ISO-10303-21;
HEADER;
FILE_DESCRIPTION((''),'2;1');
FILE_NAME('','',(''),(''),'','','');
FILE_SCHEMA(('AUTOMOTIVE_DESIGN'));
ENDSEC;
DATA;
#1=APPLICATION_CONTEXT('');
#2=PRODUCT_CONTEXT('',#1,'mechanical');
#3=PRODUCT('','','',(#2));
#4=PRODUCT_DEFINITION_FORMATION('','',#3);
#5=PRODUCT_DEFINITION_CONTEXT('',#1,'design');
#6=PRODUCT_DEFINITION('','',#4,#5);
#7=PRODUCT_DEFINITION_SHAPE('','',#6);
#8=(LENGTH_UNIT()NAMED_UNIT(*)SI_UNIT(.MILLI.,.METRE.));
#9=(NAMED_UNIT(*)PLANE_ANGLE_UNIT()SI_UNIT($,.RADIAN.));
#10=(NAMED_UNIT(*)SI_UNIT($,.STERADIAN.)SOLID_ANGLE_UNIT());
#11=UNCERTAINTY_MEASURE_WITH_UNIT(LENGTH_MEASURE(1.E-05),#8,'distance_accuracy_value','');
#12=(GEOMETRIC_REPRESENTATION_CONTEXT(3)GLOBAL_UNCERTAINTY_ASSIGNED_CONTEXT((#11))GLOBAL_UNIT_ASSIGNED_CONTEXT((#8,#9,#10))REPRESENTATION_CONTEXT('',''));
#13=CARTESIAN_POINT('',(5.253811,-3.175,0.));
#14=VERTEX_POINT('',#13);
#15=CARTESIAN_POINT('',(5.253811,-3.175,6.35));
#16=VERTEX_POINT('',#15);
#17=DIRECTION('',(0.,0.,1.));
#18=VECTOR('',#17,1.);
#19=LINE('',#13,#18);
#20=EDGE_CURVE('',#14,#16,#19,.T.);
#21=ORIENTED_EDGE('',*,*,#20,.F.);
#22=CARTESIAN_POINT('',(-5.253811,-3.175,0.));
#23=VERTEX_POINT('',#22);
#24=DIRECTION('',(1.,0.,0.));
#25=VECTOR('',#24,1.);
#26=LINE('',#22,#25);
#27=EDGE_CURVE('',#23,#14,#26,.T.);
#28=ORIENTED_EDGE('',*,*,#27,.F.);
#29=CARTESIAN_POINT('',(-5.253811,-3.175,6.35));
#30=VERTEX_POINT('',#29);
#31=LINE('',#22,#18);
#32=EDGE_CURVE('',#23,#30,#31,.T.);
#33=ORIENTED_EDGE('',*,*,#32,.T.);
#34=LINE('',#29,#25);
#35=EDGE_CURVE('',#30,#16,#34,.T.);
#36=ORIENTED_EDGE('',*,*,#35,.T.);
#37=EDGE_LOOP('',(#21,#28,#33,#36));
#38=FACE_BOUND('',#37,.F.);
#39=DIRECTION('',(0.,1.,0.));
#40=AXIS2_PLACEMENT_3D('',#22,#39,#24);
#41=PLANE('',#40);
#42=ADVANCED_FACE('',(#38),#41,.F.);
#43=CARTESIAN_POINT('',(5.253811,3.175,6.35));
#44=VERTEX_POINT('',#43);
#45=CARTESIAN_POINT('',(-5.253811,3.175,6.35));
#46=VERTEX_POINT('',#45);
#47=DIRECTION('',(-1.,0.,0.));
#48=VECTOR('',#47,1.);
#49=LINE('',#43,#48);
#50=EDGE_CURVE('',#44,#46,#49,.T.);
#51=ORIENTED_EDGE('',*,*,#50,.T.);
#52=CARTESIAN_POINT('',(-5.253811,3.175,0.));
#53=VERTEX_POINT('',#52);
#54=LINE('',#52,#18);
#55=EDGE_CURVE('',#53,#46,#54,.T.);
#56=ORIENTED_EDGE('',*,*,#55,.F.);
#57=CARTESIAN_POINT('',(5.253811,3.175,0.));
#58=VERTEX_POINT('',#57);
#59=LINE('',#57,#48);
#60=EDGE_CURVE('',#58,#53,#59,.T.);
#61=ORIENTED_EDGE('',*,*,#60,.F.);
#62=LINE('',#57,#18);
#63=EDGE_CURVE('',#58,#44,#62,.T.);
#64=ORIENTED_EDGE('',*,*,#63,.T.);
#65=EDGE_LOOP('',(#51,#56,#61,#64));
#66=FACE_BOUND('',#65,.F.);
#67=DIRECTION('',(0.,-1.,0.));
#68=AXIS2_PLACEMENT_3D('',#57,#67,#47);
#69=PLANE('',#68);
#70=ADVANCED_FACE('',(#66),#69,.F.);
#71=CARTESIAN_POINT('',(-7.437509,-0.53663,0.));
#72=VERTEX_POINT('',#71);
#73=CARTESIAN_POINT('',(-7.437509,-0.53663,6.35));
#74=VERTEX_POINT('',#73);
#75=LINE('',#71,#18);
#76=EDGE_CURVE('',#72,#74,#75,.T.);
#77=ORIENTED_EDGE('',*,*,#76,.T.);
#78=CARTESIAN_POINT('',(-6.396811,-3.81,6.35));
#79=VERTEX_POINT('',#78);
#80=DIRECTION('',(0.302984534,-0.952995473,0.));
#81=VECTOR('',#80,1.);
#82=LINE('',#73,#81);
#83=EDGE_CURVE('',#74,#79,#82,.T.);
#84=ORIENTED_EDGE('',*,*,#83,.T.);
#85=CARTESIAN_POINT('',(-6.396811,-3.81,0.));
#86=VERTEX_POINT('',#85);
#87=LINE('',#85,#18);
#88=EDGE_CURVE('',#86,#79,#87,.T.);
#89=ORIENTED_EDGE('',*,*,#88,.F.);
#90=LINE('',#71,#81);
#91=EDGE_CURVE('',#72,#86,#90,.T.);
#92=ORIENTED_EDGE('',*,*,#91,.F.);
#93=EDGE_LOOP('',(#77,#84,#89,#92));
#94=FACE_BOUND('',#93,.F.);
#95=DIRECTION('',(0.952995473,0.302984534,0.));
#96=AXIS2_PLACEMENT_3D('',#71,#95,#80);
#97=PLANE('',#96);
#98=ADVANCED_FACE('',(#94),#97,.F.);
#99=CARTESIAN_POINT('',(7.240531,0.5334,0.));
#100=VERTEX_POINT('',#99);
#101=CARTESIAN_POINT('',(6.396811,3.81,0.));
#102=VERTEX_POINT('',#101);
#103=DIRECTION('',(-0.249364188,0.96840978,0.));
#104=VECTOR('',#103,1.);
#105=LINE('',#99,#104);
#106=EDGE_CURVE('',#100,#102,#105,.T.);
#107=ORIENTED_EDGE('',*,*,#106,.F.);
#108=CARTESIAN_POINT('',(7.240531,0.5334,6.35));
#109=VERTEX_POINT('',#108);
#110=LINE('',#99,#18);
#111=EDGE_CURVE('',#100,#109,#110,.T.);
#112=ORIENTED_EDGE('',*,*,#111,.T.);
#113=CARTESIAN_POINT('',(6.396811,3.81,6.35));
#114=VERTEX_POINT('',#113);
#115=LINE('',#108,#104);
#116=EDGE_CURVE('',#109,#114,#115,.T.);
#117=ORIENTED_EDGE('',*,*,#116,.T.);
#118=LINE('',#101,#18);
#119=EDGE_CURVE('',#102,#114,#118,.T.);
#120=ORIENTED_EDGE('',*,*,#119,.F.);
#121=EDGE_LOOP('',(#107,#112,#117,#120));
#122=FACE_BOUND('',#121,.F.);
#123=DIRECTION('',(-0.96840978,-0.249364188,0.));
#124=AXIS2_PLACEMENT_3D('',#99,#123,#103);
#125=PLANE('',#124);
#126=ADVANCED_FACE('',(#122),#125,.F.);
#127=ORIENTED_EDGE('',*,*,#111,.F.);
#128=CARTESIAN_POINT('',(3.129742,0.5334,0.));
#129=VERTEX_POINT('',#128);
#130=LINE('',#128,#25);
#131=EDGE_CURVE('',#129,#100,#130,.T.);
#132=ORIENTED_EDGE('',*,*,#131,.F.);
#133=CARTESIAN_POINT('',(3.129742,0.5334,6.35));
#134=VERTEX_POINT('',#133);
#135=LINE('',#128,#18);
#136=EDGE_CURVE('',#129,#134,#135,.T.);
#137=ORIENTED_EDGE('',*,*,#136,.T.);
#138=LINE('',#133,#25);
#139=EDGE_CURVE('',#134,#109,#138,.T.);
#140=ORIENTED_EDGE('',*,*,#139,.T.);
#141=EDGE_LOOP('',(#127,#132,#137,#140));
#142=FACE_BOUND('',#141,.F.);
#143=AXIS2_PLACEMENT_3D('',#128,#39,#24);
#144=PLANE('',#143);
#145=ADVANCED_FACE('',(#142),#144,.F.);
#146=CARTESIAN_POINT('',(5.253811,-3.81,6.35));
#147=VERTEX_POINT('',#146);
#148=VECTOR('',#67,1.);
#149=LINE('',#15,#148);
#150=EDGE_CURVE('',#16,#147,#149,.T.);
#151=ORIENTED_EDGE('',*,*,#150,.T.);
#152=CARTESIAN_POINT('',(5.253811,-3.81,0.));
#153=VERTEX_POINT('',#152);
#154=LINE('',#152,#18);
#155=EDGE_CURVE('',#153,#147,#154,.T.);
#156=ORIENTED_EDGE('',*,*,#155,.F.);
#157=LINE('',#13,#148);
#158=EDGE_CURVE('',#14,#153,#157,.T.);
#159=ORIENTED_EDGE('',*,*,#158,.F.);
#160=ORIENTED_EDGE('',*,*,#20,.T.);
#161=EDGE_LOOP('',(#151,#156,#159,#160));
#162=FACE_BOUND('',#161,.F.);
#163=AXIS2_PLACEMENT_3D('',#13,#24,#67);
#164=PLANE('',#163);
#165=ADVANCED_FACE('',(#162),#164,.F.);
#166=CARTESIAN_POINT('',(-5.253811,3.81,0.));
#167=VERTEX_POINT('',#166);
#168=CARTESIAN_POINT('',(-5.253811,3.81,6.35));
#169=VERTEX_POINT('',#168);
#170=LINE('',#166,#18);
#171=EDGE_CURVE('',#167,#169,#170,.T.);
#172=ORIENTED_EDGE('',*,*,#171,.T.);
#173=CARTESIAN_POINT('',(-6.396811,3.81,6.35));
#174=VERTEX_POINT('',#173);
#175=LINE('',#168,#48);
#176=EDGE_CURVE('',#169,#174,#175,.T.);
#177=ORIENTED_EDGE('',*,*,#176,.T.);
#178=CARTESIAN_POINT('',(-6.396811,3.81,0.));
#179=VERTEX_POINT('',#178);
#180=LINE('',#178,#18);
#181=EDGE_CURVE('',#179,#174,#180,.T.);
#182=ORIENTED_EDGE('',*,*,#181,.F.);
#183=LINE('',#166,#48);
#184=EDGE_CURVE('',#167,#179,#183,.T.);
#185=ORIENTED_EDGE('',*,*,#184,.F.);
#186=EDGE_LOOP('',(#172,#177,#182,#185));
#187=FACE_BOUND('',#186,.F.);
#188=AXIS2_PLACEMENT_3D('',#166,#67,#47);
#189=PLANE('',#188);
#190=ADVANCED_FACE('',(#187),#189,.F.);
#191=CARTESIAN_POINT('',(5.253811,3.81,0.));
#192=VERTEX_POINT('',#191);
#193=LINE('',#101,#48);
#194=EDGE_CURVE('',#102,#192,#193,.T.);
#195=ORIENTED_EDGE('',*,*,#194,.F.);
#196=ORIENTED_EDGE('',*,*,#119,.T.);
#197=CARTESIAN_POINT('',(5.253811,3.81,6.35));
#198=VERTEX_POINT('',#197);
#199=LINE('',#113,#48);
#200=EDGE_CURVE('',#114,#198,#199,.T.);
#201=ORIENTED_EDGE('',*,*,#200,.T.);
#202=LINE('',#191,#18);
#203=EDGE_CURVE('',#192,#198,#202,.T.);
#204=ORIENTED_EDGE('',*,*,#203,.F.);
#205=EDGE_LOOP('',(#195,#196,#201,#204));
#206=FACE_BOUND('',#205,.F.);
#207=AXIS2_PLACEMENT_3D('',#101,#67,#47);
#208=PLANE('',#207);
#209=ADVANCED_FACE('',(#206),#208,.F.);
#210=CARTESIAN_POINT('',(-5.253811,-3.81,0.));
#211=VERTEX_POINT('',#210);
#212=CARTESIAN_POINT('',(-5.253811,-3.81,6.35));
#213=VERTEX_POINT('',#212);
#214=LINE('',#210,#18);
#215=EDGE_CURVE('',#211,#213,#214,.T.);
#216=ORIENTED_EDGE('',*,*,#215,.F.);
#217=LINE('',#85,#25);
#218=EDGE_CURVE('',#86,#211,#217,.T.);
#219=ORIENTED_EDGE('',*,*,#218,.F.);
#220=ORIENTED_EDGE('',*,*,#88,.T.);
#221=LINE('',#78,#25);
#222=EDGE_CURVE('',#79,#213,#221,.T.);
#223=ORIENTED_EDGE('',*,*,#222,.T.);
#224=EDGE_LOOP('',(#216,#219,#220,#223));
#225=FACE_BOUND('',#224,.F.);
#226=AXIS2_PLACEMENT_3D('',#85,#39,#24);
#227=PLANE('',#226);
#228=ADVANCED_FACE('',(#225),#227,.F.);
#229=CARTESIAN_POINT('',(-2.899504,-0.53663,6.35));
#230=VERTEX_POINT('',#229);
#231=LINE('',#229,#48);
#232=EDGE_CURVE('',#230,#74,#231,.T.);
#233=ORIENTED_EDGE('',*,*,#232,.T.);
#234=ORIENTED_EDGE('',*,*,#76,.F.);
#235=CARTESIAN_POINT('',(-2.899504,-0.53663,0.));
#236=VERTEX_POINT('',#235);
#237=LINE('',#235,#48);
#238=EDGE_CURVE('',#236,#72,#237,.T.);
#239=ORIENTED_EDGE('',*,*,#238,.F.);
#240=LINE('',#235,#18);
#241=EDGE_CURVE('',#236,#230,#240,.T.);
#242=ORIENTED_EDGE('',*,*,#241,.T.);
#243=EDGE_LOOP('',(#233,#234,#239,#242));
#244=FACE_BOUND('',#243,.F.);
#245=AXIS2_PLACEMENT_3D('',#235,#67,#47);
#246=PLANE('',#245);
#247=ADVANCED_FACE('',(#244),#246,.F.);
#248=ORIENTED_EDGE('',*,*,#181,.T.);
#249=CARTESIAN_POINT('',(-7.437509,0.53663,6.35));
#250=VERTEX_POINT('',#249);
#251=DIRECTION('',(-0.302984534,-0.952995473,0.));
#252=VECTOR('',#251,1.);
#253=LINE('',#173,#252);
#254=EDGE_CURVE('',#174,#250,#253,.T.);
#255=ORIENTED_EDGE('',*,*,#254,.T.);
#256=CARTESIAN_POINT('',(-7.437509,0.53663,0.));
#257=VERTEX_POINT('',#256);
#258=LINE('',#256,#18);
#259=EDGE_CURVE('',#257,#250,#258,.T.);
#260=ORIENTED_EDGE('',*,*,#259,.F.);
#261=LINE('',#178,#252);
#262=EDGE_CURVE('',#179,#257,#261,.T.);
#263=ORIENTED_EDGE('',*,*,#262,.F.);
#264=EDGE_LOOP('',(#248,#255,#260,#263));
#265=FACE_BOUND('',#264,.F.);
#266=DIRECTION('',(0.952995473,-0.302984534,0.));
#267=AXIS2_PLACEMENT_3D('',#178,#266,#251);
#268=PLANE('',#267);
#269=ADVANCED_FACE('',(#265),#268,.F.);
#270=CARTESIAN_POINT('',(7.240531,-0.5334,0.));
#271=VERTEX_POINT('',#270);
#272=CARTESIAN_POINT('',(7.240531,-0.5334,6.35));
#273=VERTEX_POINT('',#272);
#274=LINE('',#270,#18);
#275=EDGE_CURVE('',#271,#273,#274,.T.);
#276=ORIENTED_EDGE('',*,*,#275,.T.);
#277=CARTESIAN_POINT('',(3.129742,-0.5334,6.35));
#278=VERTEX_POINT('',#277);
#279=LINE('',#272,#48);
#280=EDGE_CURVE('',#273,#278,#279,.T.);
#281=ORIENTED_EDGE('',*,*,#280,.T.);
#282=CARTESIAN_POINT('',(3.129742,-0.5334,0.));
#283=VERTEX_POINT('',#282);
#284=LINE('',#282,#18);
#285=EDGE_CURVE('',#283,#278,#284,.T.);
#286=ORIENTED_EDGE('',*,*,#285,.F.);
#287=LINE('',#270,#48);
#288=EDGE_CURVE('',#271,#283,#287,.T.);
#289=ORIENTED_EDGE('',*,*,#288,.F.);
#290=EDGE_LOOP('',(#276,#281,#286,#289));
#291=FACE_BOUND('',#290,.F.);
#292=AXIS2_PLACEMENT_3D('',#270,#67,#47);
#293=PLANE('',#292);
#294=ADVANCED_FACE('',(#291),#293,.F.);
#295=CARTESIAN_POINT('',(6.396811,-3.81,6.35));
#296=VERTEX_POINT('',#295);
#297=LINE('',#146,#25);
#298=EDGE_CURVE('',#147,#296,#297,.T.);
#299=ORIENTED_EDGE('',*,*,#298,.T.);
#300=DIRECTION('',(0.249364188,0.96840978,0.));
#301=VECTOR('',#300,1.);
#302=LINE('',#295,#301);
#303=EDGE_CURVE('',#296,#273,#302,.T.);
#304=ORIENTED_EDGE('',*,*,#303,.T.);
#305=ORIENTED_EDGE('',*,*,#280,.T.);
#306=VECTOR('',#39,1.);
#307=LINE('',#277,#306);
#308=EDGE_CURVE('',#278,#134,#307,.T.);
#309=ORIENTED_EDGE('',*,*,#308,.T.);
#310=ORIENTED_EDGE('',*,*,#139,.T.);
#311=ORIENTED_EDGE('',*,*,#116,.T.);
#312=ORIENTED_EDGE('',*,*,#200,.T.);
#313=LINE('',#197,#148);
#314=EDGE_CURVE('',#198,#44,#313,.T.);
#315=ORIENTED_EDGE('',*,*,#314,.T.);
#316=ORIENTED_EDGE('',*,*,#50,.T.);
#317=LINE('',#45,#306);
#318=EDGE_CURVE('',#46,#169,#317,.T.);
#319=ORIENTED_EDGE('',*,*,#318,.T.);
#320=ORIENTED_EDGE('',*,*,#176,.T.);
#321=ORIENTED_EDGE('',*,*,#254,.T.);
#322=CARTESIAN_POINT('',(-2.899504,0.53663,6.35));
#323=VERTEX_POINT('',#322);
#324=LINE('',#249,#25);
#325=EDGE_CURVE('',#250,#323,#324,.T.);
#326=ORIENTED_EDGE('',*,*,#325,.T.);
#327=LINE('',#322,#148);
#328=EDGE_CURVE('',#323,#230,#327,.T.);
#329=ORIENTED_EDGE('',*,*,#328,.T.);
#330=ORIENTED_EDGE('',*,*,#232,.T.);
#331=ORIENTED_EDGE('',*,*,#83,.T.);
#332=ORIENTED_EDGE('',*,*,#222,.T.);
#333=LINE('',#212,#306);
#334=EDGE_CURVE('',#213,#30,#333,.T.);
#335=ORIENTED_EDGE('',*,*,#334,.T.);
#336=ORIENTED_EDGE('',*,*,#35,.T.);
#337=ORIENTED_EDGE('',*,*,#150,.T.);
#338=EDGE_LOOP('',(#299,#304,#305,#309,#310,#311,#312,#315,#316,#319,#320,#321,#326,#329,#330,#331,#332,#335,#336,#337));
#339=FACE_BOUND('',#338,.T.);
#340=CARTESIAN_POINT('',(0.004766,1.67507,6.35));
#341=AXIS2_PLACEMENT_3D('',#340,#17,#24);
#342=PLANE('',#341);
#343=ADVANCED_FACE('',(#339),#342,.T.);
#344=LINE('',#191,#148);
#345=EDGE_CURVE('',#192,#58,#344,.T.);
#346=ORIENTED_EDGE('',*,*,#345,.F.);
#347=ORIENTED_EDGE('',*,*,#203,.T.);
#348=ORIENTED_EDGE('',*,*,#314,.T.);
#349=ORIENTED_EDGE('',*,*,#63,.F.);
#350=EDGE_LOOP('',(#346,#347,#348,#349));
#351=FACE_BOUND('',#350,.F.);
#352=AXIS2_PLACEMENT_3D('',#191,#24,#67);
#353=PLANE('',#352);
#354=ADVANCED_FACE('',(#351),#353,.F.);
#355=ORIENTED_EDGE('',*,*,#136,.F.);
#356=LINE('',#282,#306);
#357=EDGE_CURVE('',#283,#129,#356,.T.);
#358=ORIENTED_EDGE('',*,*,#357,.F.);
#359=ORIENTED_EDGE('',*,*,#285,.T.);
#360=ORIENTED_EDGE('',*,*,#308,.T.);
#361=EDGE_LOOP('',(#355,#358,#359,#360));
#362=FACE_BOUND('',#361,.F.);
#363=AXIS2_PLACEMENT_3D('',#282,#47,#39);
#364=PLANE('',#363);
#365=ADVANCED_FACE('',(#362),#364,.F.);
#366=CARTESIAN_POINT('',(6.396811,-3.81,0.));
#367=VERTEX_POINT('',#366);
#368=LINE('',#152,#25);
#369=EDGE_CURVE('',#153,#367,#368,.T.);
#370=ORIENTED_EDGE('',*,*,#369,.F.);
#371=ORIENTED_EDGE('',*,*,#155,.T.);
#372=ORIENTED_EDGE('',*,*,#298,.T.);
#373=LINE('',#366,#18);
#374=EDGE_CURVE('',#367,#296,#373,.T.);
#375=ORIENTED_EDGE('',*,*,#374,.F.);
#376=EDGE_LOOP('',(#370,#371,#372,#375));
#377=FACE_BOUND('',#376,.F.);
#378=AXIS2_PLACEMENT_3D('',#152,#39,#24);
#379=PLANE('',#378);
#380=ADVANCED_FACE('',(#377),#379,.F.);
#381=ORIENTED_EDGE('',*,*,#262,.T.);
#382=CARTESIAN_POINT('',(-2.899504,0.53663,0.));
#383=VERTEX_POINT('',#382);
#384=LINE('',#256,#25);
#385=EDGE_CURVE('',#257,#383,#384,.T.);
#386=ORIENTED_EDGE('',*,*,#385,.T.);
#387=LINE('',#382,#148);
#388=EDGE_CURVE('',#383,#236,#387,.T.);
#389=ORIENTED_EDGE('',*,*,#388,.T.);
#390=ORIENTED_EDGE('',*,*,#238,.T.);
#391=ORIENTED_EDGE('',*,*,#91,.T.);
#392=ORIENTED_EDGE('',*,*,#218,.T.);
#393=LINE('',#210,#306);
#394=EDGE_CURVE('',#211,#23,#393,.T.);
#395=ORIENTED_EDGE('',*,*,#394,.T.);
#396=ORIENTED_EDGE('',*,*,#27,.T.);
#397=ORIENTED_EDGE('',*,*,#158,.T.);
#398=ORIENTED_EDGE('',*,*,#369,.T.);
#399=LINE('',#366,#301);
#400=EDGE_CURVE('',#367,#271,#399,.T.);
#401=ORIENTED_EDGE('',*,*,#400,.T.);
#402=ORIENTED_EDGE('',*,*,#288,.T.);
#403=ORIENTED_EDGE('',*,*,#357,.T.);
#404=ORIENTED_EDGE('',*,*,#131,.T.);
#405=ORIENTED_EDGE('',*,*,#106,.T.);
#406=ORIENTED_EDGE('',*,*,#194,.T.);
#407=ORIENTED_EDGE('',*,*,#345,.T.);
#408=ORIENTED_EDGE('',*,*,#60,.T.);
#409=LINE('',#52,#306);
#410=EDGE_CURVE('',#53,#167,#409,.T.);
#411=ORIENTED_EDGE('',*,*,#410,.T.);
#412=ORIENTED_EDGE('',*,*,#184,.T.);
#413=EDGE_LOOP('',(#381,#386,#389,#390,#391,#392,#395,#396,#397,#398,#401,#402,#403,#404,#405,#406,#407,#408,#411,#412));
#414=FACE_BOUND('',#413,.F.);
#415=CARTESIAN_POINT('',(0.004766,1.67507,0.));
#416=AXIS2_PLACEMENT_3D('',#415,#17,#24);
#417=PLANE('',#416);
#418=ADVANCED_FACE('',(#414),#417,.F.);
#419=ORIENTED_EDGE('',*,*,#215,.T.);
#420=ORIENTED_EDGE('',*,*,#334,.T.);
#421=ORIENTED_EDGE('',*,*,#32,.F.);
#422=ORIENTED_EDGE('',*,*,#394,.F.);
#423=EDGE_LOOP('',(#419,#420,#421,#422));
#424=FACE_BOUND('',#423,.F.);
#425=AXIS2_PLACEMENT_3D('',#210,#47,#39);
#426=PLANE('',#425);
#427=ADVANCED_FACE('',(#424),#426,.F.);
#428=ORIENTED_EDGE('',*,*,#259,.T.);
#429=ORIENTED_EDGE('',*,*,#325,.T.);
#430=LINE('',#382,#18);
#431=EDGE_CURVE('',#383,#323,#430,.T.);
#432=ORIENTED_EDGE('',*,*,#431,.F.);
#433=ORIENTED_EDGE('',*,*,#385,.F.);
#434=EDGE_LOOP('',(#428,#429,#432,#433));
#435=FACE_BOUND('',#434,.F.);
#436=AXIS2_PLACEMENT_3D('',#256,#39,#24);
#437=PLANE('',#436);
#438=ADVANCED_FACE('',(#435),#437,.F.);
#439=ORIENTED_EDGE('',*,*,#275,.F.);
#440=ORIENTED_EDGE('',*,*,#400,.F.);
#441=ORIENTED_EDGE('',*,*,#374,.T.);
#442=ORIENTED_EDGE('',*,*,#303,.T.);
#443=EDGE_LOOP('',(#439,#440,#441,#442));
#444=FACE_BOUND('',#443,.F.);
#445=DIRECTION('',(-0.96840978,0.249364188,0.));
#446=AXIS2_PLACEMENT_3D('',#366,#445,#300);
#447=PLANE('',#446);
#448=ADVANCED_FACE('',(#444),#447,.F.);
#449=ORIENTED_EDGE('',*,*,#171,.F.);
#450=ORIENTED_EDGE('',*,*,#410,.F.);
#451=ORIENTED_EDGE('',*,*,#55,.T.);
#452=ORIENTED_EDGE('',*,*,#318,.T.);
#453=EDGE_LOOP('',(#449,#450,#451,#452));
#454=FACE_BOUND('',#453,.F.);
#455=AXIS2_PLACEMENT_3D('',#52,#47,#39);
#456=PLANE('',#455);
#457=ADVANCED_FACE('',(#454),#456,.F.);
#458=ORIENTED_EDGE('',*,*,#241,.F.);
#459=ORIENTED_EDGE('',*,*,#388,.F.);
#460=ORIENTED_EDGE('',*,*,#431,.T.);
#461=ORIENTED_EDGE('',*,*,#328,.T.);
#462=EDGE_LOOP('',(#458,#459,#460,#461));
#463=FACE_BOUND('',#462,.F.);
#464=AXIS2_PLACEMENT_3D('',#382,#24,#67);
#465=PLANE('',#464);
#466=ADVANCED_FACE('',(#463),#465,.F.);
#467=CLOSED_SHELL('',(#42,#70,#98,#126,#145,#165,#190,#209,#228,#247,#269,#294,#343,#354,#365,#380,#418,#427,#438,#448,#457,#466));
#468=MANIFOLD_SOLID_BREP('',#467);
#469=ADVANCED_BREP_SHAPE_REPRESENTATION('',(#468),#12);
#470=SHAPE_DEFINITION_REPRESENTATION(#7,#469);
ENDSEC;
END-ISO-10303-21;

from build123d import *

# Parameters (mm, degrees)
F1_DEPTH = 6.35


with BuildPart() as f1:
    # F0 (on Top) → F1 (new body)
    with BuildSketch(Plane.XY):
        Polygon((-2.899504, 0.53663), (-2.899504, 0), (3.129742, 0), (3.129742, 0.5334), (5.253811, 0.5334), (5.253811, 3.175), (-5.253811, 3.175), (-5.253811, 0.53663), align=None)
        Polygon((3.129742, 0), (-2.899504, 0), (-2.899504, -0.53663), (-5.253811, -0.53663), (-5.253811, -3.175), (5.253811, -3.175), (5.253811, -0.5334), (3.129742, -0.5334), align=None)
        Polygon((5.253811, -0.5334), (5.253811, -3.175), (5.253811, -3.81), (6.396811, -3.81), (7.240531, -0.5334), align=None)
        Polygon((5.253811, 3.81), (5.253811, 3.175), (5.253811, 0.5334), (7.240531, 0.5334), (6.396811, 3.81), align=None)
        Polygon((-6.396811, 3.81), (-7.437509, 0.53663), (-5.253811, 0.53663), (-5.253811, 3.175), (-5.253811, 3.81), align=None)
        Polygon((-5.253811, -0.53663), (-7.437509, -0.53663), (-6.396811, -3.81), (-5.253811, -3.81), (-5.253811, -3.175), align=None)
    extrude(amount=F1_DEPTH)


solid = f1.part
